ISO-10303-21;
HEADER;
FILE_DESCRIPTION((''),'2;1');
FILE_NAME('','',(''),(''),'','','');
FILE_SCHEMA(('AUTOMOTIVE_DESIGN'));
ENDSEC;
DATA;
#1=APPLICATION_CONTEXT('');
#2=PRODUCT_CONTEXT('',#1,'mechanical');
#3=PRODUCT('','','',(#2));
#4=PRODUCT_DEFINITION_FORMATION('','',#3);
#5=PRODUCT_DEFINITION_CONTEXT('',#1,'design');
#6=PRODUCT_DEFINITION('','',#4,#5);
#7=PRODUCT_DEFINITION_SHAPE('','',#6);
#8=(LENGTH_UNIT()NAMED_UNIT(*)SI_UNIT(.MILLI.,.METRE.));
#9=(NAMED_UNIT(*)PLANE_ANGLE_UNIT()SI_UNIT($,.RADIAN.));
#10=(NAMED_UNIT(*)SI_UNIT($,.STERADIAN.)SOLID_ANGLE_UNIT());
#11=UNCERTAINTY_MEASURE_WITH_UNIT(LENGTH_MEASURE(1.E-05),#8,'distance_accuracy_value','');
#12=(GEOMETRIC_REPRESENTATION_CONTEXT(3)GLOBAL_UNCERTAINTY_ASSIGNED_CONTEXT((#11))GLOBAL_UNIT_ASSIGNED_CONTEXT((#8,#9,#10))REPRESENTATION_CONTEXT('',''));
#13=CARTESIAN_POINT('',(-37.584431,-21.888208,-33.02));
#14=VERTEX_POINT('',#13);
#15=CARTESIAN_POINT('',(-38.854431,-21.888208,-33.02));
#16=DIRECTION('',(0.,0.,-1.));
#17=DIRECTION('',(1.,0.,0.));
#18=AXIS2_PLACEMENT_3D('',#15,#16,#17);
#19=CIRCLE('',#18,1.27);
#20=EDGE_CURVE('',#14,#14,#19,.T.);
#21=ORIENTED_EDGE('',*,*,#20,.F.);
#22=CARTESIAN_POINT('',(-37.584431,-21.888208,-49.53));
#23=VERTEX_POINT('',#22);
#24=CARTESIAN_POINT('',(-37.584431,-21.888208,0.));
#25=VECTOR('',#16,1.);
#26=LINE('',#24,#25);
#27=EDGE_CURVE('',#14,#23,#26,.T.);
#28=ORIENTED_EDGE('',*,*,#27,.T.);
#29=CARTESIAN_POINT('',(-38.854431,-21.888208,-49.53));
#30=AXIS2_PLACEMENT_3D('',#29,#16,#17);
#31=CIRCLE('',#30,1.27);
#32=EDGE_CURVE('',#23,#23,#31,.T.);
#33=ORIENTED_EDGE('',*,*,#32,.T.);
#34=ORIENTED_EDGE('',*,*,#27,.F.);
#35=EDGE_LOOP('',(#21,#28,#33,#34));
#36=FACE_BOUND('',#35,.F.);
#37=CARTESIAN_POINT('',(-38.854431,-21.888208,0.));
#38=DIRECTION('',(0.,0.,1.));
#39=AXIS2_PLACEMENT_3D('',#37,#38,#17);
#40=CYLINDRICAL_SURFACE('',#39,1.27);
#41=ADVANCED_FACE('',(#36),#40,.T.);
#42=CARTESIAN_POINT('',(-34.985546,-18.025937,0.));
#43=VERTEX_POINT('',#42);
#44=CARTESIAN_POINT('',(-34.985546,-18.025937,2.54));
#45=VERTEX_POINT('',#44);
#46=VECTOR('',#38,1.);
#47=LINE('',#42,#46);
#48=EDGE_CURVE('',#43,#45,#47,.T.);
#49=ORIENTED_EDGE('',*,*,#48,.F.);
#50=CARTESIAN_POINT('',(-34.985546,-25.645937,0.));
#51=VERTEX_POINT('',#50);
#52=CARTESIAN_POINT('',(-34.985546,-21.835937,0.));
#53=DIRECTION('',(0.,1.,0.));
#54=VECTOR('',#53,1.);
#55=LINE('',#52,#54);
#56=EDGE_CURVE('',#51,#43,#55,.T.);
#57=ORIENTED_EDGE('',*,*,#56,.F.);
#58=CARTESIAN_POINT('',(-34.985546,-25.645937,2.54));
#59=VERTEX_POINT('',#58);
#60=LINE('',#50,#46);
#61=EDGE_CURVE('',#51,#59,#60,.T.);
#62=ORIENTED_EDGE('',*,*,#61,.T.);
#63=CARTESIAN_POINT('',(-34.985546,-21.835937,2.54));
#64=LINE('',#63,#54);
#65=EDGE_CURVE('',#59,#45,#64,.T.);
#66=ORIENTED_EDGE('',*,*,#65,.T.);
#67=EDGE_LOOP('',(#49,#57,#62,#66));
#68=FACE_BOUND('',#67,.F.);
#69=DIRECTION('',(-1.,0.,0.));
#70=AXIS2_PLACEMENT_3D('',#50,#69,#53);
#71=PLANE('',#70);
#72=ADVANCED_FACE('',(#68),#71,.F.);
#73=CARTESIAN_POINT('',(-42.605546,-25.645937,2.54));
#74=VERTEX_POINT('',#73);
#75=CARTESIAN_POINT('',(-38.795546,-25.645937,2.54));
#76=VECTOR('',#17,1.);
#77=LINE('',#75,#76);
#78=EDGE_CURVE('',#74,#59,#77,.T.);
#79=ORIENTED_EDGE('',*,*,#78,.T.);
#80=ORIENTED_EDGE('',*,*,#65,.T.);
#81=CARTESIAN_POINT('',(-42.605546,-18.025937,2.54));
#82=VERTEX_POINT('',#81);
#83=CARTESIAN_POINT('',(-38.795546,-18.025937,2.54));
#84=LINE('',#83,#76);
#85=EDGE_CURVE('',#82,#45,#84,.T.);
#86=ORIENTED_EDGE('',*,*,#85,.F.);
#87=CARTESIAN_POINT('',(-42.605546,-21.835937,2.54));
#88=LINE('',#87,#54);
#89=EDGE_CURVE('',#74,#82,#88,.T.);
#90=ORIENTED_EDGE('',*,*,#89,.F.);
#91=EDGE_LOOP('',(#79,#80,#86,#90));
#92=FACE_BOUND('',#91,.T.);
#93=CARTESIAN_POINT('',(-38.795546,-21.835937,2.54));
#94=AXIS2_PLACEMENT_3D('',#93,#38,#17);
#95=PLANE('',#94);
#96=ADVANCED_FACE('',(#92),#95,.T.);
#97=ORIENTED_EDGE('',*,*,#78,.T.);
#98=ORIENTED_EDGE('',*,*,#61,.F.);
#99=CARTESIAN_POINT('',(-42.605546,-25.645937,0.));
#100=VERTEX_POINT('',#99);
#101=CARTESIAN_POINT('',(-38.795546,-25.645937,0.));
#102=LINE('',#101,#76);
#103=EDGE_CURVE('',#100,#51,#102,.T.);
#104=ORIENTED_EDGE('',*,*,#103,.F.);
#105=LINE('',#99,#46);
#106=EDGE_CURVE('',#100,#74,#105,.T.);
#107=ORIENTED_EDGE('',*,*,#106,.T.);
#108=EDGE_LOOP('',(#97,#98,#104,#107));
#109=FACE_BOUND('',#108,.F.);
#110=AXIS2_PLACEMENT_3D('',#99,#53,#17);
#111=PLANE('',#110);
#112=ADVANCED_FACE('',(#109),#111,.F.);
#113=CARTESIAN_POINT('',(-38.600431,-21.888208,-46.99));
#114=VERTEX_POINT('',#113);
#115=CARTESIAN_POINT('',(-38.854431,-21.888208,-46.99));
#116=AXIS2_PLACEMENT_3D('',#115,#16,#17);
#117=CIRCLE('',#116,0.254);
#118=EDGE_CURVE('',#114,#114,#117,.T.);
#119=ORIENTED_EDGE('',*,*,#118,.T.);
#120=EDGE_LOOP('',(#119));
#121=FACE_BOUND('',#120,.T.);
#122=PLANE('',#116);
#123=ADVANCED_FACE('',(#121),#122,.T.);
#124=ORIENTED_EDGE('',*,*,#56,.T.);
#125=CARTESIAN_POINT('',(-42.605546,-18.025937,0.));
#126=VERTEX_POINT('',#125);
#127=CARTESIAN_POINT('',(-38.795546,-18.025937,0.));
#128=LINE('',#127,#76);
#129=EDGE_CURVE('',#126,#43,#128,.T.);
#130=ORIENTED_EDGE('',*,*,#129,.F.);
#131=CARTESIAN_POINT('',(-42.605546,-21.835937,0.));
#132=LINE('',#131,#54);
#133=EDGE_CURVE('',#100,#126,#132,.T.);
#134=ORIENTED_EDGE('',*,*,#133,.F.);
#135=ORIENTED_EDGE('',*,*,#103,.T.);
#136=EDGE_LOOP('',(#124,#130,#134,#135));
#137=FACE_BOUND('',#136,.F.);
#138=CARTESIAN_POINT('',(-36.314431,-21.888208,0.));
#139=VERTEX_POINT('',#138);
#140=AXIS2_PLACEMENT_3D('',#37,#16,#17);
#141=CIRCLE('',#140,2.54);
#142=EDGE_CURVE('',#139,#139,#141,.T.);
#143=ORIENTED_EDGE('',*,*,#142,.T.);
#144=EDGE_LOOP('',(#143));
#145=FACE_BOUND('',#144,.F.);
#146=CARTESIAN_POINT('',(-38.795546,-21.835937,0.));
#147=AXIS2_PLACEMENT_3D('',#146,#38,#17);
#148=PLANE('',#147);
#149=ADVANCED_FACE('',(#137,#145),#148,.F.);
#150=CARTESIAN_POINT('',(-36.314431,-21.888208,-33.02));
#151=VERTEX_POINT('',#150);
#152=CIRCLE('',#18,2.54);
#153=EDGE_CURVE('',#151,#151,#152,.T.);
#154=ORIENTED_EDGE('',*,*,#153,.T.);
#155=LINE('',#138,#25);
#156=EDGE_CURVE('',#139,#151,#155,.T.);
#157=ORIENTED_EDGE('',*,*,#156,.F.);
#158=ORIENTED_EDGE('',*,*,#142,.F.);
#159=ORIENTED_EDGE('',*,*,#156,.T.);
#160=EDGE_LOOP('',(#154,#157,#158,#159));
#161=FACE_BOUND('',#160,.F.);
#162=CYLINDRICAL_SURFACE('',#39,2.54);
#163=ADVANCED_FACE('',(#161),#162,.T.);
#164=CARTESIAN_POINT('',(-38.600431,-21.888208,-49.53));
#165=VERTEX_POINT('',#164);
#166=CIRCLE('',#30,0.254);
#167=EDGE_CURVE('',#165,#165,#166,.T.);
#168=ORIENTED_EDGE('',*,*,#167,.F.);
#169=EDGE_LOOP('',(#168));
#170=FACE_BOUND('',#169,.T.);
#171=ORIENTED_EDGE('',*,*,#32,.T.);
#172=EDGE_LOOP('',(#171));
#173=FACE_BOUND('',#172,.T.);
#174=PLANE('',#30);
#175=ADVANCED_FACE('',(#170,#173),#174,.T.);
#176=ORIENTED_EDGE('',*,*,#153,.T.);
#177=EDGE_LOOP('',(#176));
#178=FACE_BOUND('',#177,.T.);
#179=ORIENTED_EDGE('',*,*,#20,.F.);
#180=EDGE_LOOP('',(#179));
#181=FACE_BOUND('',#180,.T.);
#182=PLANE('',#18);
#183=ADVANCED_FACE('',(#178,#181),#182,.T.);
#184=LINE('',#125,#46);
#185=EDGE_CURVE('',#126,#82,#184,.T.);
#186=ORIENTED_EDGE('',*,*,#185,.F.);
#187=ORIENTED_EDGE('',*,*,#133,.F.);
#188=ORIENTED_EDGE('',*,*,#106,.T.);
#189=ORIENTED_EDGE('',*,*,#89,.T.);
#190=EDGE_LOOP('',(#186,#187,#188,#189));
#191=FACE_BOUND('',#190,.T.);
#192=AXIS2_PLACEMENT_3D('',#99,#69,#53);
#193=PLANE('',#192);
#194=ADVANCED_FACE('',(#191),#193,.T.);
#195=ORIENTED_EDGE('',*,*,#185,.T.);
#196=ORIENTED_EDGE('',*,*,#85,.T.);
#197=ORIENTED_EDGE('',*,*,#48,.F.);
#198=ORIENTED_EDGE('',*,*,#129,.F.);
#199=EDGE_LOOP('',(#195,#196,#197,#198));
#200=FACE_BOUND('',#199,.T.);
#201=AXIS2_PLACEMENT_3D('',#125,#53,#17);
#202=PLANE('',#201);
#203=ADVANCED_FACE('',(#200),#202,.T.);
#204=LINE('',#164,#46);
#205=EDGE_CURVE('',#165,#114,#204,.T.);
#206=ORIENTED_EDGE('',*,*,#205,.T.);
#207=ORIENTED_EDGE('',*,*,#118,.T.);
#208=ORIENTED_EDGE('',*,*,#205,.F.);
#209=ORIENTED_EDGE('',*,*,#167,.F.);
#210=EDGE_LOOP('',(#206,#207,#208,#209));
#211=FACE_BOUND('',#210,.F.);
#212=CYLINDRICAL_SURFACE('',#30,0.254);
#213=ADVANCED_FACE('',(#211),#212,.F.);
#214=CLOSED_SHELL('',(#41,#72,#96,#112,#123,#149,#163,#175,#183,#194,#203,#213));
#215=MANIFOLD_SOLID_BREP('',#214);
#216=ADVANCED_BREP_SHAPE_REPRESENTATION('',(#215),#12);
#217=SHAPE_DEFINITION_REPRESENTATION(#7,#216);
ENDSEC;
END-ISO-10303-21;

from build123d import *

# Parameters (mm, degrees)
F0_W     = 7.62
F0_H     = 7.62
F1_DEPTH = 2.54
F2_R     = 1.27
F3_DEPTH = 49.53
F4_R     = 0.254
F5_DEPTH = 2.54
F2_R_2   = 2.54
F6_DEPTH = 33.02


with BuildPart() as f1:
    # F0 (on Top) → F1 (new body)
    with BuildSketch(Plane.XY):
        with Locations((-38.795546, -21.835937)):
            Rectangle(F0_W, F0_H)
    extrude(amount=F1_DEPTH)

    # F2 (on face) → F3 (join)
    with BuildSketch(Plane(origin=(0, 0, 0), x_dir=(1, 0, 0), z_dir=(0, 0, -1))):
        with Locations((-38.854431, 21.888208)):
            Circle(F2_R)
    extrude(amount=F3_DEPTH)

    # F4 (on face) → F5 (cut)
    with BuildSketch(Plane(origin=(0, 0, -49.53), x_dir=(1, 0, 0), z_dir=(0, 0, -1))):
        with Locations((-38.854431, 21.888208)):
            Circle(F4_R)
    extrude(amount=-F5_DEPTH, mode=Mode.SUBTRACT)

    # F2 (on face) → F6 (join)
    with BuildSketch(Plane(origin=(0, 0, 0), x_dir=(1, 0, 0), z_dir=(0, 0, -1))):
        with Locations((-38.854431, 21.888208)):
            Circle(F2_R_2)
        with Locations((-38.854431, 21.888208)):
            Circle(F2_R, mode=Mode.SUBTRACT)
    extrude(amount=F6_DEPTH)


solid = f1.part
